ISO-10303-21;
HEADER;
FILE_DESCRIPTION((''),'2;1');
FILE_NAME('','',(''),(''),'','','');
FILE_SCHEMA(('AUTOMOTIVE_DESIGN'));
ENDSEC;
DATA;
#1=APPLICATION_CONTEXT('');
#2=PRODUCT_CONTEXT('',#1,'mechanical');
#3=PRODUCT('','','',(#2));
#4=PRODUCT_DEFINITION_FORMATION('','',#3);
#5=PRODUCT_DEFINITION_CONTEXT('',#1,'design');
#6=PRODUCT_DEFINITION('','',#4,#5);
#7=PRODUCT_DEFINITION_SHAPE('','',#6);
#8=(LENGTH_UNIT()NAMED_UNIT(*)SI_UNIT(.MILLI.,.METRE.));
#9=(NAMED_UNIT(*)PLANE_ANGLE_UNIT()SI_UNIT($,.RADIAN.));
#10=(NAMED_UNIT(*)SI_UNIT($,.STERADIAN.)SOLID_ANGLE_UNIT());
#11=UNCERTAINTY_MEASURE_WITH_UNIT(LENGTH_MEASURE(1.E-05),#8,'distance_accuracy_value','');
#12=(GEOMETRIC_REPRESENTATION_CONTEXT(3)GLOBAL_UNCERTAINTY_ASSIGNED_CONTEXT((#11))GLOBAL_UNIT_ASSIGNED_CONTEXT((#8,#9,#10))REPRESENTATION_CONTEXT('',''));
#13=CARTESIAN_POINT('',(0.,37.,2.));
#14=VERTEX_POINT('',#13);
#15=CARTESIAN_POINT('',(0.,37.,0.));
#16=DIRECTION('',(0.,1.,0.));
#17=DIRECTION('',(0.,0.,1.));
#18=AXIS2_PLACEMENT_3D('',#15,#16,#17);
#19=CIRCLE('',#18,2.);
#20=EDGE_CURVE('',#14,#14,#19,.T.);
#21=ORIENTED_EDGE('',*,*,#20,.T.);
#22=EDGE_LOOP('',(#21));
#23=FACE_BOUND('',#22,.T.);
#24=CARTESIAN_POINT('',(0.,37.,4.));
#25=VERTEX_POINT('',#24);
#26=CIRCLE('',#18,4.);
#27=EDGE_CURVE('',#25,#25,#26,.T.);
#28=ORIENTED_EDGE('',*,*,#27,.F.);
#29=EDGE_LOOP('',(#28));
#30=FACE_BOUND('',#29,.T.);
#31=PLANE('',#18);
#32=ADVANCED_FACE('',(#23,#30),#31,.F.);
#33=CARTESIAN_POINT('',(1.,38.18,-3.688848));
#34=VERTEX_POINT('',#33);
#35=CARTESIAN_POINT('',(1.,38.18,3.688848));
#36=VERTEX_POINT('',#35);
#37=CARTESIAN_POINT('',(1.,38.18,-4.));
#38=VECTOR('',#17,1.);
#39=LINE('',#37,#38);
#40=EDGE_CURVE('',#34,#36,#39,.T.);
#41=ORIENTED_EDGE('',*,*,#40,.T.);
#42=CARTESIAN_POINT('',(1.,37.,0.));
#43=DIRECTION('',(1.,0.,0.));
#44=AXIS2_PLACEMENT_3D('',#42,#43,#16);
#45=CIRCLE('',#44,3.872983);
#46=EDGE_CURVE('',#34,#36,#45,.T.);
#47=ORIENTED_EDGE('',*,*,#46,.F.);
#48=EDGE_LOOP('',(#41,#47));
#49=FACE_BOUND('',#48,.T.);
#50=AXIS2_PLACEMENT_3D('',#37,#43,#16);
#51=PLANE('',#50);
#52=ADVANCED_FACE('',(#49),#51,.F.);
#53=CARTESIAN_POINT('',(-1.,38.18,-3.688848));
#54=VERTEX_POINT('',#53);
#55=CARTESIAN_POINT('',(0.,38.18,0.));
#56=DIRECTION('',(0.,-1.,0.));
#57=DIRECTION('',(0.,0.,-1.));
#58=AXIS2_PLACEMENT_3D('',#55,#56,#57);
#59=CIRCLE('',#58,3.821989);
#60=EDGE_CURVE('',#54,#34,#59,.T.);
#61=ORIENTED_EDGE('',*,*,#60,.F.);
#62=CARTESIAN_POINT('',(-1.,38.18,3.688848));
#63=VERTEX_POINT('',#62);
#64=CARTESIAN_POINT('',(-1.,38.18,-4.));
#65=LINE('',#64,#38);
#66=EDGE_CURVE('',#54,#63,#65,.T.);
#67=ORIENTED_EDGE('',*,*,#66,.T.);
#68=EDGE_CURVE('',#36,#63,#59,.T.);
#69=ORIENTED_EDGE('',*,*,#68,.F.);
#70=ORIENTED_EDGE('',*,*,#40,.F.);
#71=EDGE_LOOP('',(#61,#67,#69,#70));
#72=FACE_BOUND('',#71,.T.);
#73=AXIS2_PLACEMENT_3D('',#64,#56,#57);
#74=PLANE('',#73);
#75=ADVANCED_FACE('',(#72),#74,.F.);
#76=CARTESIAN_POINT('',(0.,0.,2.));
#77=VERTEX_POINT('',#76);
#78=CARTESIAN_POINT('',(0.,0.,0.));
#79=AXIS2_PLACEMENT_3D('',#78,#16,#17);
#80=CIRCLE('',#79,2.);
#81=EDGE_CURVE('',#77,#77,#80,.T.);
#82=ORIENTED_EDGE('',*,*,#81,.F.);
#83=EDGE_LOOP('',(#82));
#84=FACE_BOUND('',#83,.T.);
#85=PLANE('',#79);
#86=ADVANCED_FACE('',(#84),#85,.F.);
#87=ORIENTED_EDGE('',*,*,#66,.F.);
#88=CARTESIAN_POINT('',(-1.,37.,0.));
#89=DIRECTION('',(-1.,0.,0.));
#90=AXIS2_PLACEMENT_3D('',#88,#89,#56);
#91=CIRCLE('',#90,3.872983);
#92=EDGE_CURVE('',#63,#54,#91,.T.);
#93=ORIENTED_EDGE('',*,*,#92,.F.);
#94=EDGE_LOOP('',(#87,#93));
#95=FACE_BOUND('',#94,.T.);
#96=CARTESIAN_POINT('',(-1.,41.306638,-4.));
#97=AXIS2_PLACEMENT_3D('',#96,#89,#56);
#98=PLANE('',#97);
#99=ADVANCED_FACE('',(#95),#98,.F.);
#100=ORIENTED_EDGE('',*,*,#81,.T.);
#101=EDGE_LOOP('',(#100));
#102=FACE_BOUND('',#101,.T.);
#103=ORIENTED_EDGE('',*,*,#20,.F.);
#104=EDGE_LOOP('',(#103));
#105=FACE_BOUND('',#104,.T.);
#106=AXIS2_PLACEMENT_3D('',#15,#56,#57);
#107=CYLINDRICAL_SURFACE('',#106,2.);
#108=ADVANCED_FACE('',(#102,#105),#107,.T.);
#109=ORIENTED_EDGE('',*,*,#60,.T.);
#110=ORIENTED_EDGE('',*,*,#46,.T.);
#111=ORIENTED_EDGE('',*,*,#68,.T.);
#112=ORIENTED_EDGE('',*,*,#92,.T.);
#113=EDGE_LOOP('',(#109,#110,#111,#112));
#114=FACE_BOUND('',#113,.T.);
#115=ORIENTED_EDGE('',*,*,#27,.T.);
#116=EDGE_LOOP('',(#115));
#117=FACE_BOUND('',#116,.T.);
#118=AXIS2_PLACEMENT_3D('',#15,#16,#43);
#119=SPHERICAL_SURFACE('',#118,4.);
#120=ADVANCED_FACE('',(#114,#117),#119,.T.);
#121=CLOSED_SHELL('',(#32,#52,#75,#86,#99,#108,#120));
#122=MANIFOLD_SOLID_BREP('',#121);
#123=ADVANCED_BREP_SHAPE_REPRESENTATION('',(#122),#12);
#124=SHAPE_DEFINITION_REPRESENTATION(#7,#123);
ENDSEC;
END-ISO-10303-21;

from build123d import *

# Parameters (mm, degrees)
SKETCH1_R               = 2
BOSS_EXTRUDE1_DEPTH     = 37
CUT_EXTRUDE1_DEPTH      = 42.388404173
CUT_EXTRUDE1_DEPTH_BACK = 42.388404173
SKETCH3_W               = 2
SKETCH3_H               = 3.126637596


with BuildPart() as part:
    # Sketch1 → Boss-Extrude1 (new body)
    with BuildSketch(Plane(origin=(0, 0, 0), x_dir=(1, 0, 0), z_dir=(0, 1, 0))):
        with Locations(Location((0, 0, 0), (0, 0, 270))):
            Circle(SKETCH1_R)
    extrude(amount=BOSS_EXTRUDE1_DEPTH)

    # Sketch2 → Revolve1 (revolve)
    with BuildSketch(Plane.XY):
        with BuildLine():
            Line((0, 41), (0, 37))
            Line((0, 37), (4, 37))
            ThreePointArc((4, 37), (2.828427125, 39.828427125), (0, 41))
        make_face()
    revolve(axis=Axis((0, 37, 0), (0, -1, 0)))

    # Sketch3 → Cut-Extrude1 (cut, two sides: drawn at the far end of the back side and taken through both)
    with BuildSketch(Plane.XY.offset(-CUT_EXTRUDE1_DEPTH_BACK)):
        with Locations((0, 39.743318798)):
            Rectangle(SKETCH3_W, SKETCH3_H)
    extrude(amount=CUT_EXTRUDE1_DEPTH + CUT_EXTRUDE1_DEPTH_BACK, mode=Mode.SUBTRACT)


solid = part.part
